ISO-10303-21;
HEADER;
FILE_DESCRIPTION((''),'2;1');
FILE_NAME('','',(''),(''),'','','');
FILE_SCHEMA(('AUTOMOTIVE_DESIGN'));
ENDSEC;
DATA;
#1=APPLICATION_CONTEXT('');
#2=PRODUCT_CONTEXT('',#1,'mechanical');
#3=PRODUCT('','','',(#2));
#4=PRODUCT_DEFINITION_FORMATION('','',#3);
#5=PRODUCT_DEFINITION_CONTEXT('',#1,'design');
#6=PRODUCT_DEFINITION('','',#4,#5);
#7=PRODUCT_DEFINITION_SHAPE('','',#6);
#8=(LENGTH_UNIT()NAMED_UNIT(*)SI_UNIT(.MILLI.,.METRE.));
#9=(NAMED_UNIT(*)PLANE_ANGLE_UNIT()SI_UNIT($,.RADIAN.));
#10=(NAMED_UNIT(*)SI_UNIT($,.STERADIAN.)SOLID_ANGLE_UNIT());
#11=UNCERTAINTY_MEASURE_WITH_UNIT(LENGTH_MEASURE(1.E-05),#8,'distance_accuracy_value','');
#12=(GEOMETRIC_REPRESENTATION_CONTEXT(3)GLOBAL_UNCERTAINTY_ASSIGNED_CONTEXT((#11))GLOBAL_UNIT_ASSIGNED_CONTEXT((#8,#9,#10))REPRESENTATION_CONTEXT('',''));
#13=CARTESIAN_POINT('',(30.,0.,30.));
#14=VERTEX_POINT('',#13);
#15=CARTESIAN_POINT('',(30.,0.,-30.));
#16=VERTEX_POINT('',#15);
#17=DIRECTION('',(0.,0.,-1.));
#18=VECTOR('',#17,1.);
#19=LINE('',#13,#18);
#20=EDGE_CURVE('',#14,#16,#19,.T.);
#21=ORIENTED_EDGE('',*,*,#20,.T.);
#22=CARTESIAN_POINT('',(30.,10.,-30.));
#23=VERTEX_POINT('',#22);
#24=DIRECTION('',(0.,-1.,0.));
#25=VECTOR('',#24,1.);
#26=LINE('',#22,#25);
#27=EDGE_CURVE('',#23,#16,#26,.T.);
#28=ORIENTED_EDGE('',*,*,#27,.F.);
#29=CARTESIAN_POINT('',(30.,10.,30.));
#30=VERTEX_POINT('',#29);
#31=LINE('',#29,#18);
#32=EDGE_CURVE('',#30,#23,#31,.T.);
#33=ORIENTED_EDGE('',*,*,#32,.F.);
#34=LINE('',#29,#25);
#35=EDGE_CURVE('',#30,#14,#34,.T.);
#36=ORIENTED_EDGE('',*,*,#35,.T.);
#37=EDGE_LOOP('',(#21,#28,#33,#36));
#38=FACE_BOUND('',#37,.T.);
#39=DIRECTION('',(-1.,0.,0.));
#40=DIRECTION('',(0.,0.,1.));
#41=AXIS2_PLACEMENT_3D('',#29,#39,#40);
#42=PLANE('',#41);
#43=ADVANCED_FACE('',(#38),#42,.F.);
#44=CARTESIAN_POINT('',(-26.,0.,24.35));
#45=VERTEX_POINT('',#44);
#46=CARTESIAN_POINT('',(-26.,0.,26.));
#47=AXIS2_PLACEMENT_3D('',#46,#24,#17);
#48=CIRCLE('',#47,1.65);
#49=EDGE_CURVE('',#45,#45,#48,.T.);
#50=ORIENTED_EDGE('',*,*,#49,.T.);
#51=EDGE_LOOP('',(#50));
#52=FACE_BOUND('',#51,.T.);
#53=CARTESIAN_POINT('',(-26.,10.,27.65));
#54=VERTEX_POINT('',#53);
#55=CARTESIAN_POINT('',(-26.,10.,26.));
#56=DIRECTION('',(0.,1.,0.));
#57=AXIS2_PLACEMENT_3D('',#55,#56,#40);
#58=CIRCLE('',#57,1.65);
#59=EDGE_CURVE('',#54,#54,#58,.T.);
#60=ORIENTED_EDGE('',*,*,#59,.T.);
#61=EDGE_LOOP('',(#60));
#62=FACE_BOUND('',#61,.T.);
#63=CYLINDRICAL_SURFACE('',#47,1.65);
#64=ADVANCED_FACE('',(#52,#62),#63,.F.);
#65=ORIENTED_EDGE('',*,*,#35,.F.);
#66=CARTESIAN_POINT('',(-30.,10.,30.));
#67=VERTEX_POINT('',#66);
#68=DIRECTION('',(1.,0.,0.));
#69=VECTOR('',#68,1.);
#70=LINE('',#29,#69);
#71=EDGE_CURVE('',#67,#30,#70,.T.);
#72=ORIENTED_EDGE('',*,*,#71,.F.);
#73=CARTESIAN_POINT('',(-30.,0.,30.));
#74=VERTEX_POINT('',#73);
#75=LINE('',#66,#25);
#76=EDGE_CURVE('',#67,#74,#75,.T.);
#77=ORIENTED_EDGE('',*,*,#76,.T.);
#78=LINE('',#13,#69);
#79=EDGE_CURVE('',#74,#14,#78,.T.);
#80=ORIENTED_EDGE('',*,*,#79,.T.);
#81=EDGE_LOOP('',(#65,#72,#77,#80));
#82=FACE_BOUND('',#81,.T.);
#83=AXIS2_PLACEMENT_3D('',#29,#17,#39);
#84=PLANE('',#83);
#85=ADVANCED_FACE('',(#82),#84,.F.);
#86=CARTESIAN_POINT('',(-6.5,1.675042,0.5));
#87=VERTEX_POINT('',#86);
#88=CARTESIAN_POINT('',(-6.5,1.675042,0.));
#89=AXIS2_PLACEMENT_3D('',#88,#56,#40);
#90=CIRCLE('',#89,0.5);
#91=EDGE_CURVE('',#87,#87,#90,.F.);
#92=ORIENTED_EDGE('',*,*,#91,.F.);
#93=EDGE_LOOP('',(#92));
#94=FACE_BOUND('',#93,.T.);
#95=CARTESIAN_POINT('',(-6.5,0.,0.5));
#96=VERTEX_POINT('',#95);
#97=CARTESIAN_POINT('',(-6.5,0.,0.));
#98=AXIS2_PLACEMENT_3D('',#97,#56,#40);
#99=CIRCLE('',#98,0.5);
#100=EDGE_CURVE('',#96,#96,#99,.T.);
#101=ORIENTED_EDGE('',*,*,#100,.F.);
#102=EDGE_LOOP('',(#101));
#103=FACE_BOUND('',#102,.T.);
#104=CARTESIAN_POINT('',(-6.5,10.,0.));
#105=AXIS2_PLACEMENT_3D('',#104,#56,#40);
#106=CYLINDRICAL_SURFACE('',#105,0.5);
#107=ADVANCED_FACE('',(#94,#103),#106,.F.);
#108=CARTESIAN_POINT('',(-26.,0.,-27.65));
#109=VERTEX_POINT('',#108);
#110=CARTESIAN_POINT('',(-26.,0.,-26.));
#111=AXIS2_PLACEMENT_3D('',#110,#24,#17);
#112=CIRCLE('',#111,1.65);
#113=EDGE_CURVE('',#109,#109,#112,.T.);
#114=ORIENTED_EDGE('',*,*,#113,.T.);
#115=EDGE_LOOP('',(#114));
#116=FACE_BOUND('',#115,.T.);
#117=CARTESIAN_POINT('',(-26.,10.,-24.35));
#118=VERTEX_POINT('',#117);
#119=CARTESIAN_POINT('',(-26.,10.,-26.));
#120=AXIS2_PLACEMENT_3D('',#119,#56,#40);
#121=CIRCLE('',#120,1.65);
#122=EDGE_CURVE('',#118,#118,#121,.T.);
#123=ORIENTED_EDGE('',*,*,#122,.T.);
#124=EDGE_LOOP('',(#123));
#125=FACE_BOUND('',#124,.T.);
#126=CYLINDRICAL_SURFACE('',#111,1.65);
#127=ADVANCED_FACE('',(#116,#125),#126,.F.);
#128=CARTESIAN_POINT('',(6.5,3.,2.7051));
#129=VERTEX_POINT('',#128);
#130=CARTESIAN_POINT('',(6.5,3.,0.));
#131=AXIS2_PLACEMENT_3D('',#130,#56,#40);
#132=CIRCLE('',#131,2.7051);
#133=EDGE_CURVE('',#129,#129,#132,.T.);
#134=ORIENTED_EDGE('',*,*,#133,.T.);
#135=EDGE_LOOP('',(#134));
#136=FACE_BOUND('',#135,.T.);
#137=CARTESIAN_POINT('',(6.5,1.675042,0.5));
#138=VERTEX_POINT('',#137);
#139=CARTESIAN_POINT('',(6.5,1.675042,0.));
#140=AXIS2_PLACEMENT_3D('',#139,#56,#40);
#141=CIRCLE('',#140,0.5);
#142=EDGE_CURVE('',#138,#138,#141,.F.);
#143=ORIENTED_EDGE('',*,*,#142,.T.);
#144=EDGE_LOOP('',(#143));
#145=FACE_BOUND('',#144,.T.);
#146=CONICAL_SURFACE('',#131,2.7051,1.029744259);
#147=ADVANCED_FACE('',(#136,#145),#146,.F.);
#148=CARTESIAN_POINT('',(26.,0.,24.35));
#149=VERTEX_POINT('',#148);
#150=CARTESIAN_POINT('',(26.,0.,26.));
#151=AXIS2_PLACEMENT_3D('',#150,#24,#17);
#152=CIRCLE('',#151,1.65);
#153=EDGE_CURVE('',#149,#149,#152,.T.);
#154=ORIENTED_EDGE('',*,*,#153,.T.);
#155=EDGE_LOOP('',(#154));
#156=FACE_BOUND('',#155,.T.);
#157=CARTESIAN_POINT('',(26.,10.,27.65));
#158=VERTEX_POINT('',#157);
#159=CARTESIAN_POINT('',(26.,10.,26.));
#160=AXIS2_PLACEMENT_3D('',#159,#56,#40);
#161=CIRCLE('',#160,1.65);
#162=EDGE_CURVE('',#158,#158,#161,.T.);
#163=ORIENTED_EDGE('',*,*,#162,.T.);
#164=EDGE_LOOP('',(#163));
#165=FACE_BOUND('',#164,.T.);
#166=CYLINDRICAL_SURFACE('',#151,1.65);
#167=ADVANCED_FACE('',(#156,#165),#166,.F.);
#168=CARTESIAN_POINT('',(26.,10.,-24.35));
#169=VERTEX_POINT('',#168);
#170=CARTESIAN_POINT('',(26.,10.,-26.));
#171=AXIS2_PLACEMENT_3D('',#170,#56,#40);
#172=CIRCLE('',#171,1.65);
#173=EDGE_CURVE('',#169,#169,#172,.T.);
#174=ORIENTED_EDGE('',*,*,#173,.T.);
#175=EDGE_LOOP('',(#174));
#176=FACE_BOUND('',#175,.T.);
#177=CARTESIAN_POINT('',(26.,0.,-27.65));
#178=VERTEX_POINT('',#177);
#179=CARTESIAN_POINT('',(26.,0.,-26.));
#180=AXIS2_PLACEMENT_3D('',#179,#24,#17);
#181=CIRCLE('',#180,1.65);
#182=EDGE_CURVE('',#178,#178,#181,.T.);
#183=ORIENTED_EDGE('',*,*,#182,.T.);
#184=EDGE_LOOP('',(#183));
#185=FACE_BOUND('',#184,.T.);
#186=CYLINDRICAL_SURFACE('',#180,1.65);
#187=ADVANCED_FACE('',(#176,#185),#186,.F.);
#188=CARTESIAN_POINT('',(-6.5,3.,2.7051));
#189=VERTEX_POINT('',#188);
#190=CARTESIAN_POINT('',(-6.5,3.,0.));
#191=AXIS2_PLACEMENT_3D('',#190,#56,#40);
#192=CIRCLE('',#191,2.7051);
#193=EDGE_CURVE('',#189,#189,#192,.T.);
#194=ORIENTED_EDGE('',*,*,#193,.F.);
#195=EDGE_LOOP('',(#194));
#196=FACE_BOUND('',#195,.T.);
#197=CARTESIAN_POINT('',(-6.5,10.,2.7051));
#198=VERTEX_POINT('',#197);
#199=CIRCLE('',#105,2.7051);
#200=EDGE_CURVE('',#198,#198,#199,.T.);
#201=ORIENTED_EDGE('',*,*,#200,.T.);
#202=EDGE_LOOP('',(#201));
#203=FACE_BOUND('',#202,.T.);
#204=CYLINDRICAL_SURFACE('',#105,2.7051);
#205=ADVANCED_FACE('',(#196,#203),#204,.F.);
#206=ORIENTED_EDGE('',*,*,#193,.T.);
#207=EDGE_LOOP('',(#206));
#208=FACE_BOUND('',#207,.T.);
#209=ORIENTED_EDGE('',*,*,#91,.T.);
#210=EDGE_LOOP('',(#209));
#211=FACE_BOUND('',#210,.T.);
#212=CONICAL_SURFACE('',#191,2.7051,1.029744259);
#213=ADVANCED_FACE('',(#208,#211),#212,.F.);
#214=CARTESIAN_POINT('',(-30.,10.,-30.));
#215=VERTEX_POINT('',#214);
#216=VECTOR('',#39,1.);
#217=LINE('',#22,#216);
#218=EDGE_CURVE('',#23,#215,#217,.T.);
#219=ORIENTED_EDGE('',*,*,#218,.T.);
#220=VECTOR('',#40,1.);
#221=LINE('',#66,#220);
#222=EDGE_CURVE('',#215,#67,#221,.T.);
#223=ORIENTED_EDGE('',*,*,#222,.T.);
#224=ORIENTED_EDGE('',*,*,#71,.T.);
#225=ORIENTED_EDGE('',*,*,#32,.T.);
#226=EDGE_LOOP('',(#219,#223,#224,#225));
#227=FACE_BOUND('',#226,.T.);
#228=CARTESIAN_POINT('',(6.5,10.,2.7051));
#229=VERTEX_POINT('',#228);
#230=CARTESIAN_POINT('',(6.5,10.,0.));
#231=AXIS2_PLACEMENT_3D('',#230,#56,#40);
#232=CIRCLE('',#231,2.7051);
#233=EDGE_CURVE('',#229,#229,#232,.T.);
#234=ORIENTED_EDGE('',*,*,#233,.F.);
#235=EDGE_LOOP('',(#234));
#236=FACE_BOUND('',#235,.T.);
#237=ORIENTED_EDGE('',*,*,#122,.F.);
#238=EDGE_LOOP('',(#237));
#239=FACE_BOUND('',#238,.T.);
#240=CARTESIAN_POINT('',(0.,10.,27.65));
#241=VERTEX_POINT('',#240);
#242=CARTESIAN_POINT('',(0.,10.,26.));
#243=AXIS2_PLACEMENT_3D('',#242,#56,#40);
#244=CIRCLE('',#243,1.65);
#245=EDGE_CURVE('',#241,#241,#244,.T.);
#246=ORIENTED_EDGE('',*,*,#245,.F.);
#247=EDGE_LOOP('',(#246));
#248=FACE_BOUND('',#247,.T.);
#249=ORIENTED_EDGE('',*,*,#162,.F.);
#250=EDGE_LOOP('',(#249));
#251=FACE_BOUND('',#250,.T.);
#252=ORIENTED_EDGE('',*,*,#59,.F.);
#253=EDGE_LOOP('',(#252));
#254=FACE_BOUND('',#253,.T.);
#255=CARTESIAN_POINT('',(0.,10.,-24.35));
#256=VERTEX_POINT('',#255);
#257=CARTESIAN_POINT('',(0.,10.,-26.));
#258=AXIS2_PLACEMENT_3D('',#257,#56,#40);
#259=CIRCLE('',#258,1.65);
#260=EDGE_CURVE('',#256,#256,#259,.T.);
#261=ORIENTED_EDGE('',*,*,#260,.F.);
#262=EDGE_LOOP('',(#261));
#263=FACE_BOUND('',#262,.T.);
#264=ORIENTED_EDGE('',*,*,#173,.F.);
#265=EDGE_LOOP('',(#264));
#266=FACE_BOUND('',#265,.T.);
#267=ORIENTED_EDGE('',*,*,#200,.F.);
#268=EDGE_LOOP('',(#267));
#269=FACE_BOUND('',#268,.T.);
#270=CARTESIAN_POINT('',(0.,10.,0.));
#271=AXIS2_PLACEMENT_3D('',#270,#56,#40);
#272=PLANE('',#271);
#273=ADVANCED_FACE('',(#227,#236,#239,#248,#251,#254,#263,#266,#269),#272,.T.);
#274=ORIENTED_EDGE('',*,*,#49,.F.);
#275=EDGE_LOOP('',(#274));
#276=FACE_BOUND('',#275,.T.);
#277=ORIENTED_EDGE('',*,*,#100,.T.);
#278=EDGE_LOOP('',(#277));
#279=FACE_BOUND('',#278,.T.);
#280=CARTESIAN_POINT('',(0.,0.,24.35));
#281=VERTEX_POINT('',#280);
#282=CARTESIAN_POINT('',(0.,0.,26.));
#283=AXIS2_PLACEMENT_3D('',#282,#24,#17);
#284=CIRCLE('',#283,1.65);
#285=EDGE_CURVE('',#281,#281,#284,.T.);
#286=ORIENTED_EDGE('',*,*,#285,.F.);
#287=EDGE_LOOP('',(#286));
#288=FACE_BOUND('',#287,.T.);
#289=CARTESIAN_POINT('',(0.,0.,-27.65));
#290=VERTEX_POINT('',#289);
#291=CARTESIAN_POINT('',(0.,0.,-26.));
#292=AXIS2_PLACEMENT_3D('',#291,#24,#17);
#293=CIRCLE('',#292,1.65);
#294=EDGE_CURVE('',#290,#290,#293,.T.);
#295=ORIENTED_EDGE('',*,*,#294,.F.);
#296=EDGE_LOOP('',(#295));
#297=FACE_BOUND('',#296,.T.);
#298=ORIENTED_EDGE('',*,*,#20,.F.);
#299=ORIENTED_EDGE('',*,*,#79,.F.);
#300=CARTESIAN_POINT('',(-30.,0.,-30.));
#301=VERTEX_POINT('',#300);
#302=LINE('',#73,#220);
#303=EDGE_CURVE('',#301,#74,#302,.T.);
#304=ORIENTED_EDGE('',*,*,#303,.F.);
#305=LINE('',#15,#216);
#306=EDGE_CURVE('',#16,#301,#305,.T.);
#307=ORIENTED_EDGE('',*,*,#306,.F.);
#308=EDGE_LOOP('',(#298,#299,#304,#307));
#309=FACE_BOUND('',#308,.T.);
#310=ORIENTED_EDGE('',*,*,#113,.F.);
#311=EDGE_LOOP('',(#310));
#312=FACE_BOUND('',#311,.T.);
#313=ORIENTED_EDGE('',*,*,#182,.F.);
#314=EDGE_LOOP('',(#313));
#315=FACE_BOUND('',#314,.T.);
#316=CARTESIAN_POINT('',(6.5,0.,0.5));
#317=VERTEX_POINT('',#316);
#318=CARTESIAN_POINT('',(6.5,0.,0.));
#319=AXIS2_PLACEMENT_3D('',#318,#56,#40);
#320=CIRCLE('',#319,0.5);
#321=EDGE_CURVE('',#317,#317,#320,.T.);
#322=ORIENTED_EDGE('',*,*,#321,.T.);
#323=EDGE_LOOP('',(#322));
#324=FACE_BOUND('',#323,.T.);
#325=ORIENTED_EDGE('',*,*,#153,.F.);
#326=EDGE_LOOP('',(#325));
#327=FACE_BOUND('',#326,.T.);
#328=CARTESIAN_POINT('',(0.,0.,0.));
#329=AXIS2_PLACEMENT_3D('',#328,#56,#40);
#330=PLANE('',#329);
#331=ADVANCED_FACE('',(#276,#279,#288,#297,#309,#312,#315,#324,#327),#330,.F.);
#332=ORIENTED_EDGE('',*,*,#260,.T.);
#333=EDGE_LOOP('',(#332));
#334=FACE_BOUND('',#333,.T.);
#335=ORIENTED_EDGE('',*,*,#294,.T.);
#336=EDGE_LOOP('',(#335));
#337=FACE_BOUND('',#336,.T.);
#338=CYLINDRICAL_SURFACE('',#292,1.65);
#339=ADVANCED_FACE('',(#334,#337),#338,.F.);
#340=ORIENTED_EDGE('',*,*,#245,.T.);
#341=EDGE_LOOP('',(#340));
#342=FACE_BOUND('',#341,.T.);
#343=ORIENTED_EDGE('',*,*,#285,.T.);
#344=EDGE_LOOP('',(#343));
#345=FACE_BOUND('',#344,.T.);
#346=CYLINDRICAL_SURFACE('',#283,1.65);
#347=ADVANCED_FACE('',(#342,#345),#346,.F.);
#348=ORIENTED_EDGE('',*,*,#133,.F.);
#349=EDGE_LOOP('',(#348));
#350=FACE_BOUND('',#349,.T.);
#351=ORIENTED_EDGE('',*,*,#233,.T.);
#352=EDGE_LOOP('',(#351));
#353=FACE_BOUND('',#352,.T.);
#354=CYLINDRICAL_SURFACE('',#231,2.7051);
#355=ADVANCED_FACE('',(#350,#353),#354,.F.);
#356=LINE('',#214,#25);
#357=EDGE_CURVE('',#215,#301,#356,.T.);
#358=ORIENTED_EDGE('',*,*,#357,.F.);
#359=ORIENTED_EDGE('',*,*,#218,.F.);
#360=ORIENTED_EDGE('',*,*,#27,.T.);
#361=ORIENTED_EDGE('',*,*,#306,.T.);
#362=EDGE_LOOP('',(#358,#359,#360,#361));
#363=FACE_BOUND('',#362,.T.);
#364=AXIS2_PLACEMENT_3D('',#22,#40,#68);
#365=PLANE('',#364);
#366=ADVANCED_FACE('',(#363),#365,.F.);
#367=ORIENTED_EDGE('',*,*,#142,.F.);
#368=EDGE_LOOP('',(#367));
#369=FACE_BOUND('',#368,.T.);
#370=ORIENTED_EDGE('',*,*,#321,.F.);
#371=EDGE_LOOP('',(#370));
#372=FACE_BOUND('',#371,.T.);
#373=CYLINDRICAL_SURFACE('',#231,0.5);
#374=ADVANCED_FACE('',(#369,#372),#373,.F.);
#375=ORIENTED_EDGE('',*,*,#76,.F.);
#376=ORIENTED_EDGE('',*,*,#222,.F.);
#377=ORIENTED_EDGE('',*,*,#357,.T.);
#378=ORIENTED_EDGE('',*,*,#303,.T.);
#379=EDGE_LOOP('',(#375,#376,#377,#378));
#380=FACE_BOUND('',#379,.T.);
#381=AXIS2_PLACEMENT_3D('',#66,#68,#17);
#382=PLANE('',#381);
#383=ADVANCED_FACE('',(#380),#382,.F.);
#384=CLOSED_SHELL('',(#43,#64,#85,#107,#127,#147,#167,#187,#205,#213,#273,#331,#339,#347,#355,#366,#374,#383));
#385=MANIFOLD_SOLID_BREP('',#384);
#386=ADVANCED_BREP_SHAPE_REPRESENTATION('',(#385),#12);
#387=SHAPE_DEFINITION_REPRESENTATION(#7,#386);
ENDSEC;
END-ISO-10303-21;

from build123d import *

# Parameters (mm, degrees)
SKETCH2_W                       = 60
SKETCH2_H                       = 60
BOSS_EXTRUDE1_DEPTH             = 10
TAP_DRILL_FOR_M4X0_7_TAP1_D     = 3.3
TAP_DRILL_FOR_M4X0_7_TAP1_DEPTH = 10
F_1_4_28_TAPPED_HOLE5_D         = 5.4102
F_1_4_28_TAPPED_HOLE5_DEPTH     = 7
F_1_4_28_TAPPED_HOLE5_TIP       = 1.625388061
F_1_0MM_DOWEL_HOLE1_D           = 1


with BuildPart() as part:
    # Sketch2 → Boss-Extrude1 (new body)
    with BuildSketch(Plane(origin=(0, 0, 0), x_dir=(1, 0, 0), z_dir=(0, 1, 0))):
        Rectangle(SKETCH2_W, SKETCH2_H)
    extrude(amount=BOSS_EXTRUDE1_DEPTH)

    # Tap Drill for M4x0.7 Tap1
    with Locations(Plane(origin=(0, 0, 0), x_dir=(-1, 0, 0), z_dir=(0, -1, 0))):
        with Locations((0, 26), (26, 26), (-26, 26), (-26, -26), (0, -26), (26, -26)):
            Hole(TAP_DRILL_FOR_M4X0_7_TAP1_D / 2, depth=TAP_DRILL_FOR_M4X0_7_TAP1_DEPTH)

    # 1/4-28 Tapped Hole5
    with Locations(Plane(origin=(0, 10, 0), x_dir=(-1, 0, 0), z_dir=(0, 1, 0))):
        with Locations((6.5, 0), (-6.5, 0)):
            Hole(F_1_4_28_TAPPED_HOLE5_D / 2, depth=F_1_4_28_TAPPED_HOLE5_DEPTH)
            with Locations((0, 0, -(F_1_4_28_TAPPED_HOLE5_DEPTH + F_1_4_28_TAPPED_HOLE5_TIP / 2))):  # 118° drill point
                Cone(0, F_1_4_28_TAPPED_HOLE5_D / 2, F_1_4_28_TAPPED_HOLE5_TIP, mode=Mode.SUBTRACT)

    # Ø1.0mm Dowel Hole1 (through all)
    with Locations(Plane(origin=(0, 10, 0), x_dir=(1, 0, 0), z_dir=(0, 1, 0))):
        with Locations((-6.5, 0), (6.5, 0)):
            Hole(F_1_0MM_DOWEL_HOLE1_D / 2)


solid = part.part
